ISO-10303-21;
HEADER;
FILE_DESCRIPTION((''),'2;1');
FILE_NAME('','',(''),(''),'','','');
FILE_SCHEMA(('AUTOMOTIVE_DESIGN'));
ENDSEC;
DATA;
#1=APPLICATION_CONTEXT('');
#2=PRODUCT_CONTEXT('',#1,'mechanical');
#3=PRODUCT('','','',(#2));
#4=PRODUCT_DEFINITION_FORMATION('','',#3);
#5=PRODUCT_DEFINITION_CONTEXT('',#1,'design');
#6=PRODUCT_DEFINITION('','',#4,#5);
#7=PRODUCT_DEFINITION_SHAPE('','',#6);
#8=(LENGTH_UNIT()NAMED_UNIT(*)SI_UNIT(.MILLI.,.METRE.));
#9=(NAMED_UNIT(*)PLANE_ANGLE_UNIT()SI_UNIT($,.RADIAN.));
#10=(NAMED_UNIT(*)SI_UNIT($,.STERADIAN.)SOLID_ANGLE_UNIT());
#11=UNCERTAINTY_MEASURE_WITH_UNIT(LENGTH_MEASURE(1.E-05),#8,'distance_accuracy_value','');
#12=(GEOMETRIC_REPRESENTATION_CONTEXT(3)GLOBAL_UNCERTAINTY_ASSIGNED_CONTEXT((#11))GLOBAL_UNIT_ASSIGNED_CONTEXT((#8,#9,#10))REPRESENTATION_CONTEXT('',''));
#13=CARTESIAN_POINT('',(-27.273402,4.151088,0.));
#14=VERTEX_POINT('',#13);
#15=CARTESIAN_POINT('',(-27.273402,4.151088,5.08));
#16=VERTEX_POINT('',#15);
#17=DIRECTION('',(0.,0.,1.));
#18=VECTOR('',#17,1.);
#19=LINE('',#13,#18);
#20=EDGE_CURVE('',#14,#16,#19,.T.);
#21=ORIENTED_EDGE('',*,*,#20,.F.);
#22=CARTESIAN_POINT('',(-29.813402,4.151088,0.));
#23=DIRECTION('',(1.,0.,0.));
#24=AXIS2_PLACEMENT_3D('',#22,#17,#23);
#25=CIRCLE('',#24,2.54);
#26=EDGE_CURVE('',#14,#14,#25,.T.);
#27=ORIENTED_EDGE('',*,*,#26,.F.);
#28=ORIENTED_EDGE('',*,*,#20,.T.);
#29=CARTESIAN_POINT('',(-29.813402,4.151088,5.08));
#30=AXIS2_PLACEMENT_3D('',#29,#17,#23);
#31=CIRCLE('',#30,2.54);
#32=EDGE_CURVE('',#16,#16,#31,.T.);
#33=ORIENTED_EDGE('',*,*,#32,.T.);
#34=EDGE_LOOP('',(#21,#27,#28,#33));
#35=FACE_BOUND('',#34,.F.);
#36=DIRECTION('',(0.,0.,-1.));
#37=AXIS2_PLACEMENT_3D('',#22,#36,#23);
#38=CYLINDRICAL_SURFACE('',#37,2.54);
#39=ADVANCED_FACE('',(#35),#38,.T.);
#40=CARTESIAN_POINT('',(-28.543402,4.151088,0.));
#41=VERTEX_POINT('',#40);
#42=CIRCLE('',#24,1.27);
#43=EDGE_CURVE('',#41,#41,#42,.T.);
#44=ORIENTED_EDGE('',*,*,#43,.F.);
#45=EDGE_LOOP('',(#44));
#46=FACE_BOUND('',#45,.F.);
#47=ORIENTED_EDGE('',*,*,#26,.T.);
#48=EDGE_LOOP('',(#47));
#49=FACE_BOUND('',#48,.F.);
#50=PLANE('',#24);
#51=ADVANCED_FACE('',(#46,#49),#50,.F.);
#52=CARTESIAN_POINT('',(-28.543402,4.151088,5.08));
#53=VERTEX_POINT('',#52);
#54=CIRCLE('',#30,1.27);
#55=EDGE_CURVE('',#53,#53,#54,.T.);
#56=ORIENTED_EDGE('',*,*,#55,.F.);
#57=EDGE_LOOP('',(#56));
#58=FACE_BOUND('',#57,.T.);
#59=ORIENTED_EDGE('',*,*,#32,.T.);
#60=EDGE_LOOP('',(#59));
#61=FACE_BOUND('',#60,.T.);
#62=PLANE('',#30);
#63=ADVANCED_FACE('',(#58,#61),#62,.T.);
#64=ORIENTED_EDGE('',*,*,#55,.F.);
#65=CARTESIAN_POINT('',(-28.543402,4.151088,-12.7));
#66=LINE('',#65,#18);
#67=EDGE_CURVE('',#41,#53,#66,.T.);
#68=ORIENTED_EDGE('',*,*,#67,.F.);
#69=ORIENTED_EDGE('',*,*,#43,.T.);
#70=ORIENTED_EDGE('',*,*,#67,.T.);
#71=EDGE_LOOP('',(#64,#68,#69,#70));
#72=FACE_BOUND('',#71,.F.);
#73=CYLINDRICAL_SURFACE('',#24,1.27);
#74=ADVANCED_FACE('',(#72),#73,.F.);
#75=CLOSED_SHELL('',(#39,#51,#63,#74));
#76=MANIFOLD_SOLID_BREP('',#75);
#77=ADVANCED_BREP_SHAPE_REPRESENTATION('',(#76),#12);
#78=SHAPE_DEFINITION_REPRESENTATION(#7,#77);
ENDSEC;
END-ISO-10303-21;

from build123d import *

# Parameters (mm, degrees)
F0_R     = 12.192
F1_DEPTH = 24.13
F3_R     = 2.54
F4_DEPTH = 5.08
F5_R     = 1.27
F6_DEPTH = 12.7


with BuildPart() as f1:
    # F0 (on Top) → F1 (new body)
    with BuildSketch(Plane.XY):
        with Locations((-42.4534301028, 33.8528162107)):
            Circle(F0_R)
    extrude(amount=F1_DEPTH)


with BuildPart() as f4:
    # F3 (on Top) → F4 (new body)
    with BuildSketch(Plane.XY):
        with Locations((-29.813402482, 4.1510883982)):
            Circle(F3_R)
    extrude(amount=F4_DEPTH)

    # F5 (on Top) → F6 (cut, symmetric)
    with BuildSketch(Plane.XY):
        with Locations((-29.813402482, 4.1510883982)):
            Circle(F5_R)
    extrude(amount=F6_DEPTH, both=True, mode=Mode.SUBTRACT)


solid = f4.part
